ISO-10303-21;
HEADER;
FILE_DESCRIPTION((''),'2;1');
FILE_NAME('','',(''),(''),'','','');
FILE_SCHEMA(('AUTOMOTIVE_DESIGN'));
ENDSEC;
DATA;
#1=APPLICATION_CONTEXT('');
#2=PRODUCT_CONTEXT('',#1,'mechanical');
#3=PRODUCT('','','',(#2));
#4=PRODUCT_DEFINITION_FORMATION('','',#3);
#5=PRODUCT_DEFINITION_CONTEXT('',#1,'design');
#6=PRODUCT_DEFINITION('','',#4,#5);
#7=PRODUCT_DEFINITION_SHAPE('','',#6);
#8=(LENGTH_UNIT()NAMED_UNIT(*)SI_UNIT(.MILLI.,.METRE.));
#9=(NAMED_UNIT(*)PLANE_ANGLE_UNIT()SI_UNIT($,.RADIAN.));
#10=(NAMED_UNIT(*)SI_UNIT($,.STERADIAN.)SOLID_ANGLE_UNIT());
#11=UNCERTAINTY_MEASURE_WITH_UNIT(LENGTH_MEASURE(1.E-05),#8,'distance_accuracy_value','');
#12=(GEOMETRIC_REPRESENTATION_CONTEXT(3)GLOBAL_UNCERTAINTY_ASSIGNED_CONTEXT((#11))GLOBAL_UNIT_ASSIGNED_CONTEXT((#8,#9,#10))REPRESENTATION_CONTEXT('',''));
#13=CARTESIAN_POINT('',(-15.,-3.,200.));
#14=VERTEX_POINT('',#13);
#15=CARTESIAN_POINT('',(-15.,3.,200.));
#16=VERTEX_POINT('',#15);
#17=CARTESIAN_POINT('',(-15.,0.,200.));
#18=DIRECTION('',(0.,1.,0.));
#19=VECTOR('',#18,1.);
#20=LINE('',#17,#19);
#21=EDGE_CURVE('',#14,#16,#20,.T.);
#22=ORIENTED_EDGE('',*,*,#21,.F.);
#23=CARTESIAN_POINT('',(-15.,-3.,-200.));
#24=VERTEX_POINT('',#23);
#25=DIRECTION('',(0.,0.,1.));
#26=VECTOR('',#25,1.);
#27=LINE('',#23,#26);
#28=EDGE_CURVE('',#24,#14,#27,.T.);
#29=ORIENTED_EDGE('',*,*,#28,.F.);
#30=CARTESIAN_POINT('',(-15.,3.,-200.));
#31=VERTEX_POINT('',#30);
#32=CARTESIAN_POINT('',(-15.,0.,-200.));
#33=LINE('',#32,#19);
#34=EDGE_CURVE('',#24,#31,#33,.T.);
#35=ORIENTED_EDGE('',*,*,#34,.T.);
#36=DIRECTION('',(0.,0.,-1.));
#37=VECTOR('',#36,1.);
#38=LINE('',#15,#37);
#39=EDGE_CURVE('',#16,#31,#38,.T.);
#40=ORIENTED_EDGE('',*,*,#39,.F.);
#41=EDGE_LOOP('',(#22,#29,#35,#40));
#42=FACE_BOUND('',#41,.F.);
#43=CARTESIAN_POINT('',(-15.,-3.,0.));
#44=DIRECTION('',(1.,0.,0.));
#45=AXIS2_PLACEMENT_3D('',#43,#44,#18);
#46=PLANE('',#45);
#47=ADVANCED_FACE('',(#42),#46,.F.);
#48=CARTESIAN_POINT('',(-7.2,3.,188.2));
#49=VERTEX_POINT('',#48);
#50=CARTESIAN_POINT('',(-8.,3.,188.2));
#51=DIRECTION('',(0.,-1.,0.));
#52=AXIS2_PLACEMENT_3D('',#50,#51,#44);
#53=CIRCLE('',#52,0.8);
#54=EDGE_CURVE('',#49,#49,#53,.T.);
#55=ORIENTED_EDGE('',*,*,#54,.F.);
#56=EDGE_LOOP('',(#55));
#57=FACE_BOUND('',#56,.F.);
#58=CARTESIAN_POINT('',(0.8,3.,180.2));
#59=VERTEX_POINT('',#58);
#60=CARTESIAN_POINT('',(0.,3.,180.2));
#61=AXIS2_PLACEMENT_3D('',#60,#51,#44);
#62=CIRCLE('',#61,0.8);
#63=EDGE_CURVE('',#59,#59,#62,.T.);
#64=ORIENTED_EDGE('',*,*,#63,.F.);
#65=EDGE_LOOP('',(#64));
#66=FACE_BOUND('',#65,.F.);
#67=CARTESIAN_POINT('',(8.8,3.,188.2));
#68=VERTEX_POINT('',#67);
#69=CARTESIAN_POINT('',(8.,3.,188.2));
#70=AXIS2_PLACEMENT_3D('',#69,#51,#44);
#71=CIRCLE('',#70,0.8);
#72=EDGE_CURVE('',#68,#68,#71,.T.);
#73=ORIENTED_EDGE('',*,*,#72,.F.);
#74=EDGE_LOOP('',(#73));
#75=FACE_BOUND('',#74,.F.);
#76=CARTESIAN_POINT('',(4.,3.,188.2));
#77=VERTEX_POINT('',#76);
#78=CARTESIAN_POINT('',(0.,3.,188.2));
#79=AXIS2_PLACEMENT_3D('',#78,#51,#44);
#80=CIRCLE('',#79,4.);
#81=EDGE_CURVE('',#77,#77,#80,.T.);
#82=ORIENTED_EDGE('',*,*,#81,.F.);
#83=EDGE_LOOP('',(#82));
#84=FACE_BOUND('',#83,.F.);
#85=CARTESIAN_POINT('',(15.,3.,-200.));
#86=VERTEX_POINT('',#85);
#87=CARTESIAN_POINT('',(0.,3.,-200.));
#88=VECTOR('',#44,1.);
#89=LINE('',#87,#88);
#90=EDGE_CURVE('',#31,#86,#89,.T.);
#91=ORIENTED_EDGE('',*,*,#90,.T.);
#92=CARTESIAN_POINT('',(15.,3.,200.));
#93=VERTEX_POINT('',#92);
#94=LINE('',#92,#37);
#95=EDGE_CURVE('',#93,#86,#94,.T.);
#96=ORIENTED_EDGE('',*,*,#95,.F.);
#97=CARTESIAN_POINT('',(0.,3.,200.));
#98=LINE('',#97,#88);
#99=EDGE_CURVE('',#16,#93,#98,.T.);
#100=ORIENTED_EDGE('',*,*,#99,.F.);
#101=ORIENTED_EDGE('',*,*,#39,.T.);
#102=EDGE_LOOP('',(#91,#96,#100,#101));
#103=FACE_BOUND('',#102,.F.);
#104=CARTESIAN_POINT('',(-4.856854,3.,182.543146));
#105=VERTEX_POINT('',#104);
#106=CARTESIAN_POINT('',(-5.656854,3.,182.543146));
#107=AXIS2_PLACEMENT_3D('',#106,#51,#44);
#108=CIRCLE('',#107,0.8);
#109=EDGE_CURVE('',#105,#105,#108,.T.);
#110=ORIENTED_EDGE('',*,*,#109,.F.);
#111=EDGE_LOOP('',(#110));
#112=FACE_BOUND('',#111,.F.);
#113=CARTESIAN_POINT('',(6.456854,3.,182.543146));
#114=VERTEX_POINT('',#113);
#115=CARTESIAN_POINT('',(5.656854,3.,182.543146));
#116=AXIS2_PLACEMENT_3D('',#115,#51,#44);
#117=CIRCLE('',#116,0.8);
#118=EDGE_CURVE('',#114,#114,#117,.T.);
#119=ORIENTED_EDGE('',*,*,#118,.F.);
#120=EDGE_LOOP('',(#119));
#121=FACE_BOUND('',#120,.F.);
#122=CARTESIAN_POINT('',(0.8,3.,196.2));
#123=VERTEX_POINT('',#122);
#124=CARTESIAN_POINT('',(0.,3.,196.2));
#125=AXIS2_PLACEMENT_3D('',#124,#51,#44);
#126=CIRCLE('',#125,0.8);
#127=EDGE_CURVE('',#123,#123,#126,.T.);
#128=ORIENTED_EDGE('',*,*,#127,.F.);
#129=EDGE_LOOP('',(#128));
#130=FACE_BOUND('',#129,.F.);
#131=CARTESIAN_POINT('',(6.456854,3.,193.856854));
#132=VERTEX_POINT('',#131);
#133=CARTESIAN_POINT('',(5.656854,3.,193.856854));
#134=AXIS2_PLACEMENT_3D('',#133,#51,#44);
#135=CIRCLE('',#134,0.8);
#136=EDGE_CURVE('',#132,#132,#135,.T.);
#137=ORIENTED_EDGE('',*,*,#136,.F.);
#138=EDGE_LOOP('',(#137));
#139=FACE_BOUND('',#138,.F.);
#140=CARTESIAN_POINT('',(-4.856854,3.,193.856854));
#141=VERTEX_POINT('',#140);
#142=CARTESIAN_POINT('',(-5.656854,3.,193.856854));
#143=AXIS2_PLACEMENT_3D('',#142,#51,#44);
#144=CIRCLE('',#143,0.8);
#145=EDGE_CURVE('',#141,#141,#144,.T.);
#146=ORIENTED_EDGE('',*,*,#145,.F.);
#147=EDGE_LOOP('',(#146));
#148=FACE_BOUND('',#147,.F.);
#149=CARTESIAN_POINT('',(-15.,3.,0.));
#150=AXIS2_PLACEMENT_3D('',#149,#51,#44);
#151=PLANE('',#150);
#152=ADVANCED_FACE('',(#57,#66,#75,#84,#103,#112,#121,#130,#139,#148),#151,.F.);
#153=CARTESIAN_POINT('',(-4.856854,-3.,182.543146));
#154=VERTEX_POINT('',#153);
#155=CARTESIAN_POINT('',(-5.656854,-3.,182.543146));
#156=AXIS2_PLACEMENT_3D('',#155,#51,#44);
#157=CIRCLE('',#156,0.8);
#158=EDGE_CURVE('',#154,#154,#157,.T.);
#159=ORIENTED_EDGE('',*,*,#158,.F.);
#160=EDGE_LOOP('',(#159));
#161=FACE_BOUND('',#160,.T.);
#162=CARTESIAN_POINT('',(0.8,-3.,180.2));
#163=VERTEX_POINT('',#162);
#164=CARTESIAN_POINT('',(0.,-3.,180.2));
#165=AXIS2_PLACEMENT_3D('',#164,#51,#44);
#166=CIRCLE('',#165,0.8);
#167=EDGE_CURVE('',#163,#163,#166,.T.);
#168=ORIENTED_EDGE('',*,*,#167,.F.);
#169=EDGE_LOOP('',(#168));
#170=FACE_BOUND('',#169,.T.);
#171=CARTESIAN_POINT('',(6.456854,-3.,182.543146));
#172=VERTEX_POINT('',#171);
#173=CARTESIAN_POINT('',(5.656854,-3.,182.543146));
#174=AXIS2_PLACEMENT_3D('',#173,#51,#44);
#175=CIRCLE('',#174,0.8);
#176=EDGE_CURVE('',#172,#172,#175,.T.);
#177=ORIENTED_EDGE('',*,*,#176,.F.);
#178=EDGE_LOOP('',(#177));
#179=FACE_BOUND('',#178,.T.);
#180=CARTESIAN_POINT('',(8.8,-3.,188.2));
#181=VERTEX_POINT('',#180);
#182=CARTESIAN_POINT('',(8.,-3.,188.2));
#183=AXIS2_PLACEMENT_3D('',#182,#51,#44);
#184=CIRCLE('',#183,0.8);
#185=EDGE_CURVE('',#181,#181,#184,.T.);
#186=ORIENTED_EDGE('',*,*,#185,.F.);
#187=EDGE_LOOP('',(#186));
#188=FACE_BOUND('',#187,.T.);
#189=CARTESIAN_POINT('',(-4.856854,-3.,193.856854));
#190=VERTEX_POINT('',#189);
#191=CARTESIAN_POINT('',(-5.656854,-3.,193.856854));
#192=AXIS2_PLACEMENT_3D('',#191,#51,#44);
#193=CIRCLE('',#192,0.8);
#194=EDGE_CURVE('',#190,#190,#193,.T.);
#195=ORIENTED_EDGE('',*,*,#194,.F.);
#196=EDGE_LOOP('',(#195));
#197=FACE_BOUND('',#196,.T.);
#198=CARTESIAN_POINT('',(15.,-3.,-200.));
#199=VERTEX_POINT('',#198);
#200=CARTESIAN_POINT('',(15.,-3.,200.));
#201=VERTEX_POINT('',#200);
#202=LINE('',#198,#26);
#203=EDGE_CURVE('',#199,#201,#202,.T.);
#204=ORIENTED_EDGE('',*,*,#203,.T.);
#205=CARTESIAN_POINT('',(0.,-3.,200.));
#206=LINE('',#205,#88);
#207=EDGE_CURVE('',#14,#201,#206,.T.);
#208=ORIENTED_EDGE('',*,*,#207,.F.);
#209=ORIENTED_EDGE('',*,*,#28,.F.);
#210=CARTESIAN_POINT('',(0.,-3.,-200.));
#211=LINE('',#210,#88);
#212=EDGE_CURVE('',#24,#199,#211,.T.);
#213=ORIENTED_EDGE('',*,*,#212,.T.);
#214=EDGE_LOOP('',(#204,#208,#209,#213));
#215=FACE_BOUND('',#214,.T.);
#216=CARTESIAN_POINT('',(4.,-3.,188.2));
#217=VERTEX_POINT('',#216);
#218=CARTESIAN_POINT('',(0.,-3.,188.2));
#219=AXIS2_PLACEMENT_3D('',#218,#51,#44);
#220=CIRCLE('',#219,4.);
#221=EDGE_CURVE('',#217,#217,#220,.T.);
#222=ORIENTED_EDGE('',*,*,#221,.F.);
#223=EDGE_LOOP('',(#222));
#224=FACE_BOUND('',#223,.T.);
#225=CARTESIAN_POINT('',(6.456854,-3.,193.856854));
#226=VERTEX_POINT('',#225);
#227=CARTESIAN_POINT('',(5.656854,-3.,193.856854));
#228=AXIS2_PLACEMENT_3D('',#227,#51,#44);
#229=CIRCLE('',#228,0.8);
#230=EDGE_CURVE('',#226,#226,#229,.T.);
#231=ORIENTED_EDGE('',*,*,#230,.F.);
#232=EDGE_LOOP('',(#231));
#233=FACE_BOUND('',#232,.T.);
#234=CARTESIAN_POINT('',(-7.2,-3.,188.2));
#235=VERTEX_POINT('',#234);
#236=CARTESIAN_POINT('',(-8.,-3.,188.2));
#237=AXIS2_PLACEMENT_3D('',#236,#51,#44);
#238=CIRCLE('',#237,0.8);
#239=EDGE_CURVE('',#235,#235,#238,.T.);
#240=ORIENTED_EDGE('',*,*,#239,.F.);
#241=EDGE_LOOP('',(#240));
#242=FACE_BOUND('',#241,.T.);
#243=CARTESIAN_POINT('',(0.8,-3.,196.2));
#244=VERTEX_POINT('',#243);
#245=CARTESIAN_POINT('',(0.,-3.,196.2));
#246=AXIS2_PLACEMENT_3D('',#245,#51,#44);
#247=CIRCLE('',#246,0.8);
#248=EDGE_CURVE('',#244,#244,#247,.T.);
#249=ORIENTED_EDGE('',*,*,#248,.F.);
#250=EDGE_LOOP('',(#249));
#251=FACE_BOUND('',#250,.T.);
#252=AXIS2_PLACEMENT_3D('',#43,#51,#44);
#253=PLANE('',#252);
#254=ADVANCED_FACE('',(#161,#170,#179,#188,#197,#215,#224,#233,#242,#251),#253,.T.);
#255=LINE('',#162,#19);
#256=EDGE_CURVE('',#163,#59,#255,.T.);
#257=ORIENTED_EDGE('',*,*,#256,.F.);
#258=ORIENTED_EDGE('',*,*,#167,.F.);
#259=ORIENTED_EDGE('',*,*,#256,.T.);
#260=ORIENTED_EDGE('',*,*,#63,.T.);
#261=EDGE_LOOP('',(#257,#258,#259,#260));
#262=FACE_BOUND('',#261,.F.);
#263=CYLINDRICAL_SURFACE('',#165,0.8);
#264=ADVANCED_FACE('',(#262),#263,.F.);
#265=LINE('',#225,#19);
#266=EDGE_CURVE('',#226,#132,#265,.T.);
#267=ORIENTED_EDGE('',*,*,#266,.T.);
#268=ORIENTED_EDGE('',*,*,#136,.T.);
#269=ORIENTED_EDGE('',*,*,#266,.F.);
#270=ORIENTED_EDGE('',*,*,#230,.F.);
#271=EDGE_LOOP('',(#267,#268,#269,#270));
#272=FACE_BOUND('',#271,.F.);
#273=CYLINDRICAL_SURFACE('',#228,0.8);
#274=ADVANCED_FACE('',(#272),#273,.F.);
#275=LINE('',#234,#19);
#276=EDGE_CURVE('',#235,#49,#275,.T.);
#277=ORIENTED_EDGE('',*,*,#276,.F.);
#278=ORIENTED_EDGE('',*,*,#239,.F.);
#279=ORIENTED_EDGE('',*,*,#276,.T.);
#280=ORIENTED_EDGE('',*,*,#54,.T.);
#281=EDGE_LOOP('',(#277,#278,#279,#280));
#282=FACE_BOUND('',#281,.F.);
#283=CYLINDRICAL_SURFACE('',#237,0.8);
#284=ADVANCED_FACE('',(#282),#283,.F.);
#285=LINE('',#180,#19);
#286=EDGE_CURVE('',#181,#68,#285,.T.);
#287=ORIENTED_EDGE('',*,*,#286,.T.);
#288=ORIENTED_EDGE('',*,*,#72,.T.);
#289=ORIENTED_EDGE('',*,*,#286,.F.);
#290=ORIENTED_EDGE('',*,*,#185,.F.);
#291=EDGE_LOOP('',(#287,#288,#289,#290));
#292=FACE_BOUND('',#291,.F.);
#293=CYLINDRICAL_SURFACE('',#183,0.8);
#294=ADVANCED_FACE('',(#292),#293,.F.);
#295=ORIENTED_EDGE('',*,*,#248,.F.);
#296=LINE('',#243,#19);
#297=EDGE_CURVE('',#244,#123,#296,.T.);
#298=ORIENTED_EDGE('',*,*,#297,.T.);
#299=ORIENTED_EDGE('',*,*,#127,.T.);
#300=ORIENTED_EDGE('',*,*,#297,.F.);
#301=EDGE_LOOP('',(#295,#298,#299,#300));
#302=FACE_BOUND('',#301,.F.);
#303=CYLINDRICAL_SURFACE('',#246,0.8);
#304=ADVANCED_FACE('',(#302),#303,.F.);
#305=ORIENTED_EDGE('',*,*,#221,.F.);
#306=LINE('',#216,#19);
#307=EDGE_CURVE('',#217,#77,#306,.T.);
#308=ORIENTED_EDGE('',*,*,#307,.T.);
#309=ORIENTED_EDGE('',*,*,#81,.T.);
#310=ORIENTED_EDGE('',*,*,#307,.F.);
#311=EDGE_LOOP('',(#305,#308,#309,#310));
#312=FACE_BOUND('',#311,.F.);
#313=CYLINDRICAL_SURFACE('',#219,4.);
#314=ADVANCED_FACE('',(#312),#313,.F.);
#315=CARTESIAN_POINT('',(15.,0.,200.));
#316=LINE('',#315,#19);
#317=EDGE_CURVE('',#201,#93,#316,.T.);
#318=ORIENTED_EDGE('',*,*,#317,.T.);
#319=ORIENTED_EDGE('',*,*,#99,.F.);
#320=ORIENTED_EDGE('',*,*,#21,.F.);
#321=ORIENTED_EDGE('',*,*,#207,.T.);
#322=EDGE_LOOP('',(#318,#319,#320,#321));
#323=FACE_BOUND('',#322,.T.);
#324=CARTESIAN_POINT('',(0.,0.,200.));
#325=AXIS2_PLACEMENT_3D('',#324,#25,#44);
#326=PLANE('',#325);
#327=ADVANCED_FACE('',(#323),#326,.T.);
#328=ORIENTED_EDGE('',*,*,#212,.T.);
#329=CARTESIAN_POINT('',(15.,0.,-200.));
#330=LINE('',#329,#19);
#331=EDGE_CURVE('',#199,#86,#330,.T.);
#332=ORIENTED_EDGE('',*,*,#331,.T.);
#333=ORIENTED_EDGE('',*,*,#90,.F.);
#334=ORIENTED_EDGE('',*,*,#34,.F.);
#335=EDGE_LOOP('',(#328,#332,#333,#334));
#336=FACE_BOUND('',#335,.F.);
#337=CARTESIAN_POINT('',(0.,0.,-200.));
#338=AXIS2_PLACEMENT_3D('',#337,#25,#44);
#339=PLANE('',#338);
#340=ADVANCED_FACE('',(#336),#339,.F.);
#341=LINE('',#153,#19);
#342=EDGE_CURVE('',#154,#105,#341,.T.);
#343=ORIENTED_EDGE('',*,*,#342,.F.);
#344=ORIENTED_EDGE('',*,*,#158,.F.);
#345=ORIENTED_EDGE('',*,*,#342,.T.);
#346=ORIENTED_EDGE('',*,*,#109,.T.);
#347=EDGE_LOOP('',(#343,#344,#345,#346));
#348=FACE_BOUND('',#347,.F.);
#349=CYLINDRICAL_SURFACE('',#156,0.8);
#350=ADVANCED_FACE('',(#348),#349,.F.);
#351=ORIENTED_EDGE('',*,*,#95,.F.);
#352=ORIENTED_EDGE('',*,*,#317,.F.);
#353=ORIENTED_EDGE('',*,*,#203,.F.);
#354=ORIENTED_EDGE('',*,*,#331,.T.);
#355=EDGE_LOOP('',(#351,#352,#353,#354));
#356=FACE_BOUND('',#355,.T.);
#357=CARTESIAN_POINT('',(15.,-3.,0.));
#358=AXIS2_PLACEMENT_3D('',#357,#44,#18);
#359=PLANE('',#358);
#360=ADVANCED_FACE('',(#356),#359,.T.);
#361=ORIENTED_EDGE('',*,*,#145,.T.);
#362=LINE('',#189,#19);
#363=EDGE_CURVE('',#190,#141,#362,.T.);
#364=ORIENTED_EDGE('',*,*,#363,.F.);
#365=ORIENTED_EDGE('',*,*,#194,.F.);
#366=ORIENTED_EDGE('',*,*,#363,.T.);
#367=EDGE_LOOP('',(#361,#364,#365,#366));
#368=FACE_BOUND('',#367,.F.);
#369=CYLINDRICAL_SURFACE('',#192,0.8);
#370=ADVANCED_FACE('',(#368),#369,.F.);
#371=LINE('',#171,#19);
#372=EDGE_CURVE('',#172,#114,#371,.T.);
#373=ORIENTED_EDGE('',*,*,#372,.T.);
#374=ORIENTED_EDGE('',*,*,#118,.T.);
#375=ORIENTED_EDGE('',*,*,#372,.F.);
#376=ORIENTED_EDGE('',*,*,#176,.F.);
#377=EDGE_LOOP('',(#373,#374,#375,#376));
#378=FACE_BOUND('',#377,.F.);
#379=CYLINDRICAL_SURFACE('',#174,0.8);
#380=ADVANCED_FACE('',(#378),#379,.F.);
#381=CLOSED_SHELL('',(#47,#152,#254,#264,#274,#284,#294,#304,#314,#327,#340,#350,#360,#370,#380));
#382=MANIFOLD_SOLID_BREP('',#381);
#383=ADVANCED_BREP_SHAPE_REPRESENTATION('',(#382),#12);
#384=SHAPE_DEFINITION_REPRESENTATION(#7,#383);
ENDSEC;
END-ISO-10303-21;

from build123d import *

# Parameters (mm, degrees)
F0_W     = 30
F0_H     = 6
F1_DEPTH = 200
F2_R     = 0.8
F2_R_2   = 4
F3_DEPTH = 6


with BuildPart() as f1:
    # F0 (on Top) → F1 (new body, symmetric)
    with BuildSketch(Plane.XY):
        Rectangle(F0_W, F0_H)
    extrude(amount=F1_DEPTH, both=True)

    # F2 (on face) → F3 (cut, through all)
    with BuildSketch(Plane.XZ.offset(3)):
        with Locations((0, 196.2)):
            Circle(F2_R)
        with Locations((0, 188.2)):
            Circle(F2_R_2)
        with Locations((-5.656854, 193.856854)):
            Circle(F2_R)
        with Locations((-8, 188.2)):
            Circle(F2_R)
        with Locations((-5.656854, 182.543146)):
            Circle(F2_R)
        with Locations((0, 180.2)):
            Circle(F2_R)
        with Locations((5.656854, 182.543146)):
            Circle(F2_R)
        with Locations((8, 188.2)):
            Circle(F2_R)
        with Locations((5.656854, 193.856854)):
            Circle(F2_R)
    extrude(amount=-F3_DEPTH, mode=Mode.SUBTRACT)


solid = f1.part
